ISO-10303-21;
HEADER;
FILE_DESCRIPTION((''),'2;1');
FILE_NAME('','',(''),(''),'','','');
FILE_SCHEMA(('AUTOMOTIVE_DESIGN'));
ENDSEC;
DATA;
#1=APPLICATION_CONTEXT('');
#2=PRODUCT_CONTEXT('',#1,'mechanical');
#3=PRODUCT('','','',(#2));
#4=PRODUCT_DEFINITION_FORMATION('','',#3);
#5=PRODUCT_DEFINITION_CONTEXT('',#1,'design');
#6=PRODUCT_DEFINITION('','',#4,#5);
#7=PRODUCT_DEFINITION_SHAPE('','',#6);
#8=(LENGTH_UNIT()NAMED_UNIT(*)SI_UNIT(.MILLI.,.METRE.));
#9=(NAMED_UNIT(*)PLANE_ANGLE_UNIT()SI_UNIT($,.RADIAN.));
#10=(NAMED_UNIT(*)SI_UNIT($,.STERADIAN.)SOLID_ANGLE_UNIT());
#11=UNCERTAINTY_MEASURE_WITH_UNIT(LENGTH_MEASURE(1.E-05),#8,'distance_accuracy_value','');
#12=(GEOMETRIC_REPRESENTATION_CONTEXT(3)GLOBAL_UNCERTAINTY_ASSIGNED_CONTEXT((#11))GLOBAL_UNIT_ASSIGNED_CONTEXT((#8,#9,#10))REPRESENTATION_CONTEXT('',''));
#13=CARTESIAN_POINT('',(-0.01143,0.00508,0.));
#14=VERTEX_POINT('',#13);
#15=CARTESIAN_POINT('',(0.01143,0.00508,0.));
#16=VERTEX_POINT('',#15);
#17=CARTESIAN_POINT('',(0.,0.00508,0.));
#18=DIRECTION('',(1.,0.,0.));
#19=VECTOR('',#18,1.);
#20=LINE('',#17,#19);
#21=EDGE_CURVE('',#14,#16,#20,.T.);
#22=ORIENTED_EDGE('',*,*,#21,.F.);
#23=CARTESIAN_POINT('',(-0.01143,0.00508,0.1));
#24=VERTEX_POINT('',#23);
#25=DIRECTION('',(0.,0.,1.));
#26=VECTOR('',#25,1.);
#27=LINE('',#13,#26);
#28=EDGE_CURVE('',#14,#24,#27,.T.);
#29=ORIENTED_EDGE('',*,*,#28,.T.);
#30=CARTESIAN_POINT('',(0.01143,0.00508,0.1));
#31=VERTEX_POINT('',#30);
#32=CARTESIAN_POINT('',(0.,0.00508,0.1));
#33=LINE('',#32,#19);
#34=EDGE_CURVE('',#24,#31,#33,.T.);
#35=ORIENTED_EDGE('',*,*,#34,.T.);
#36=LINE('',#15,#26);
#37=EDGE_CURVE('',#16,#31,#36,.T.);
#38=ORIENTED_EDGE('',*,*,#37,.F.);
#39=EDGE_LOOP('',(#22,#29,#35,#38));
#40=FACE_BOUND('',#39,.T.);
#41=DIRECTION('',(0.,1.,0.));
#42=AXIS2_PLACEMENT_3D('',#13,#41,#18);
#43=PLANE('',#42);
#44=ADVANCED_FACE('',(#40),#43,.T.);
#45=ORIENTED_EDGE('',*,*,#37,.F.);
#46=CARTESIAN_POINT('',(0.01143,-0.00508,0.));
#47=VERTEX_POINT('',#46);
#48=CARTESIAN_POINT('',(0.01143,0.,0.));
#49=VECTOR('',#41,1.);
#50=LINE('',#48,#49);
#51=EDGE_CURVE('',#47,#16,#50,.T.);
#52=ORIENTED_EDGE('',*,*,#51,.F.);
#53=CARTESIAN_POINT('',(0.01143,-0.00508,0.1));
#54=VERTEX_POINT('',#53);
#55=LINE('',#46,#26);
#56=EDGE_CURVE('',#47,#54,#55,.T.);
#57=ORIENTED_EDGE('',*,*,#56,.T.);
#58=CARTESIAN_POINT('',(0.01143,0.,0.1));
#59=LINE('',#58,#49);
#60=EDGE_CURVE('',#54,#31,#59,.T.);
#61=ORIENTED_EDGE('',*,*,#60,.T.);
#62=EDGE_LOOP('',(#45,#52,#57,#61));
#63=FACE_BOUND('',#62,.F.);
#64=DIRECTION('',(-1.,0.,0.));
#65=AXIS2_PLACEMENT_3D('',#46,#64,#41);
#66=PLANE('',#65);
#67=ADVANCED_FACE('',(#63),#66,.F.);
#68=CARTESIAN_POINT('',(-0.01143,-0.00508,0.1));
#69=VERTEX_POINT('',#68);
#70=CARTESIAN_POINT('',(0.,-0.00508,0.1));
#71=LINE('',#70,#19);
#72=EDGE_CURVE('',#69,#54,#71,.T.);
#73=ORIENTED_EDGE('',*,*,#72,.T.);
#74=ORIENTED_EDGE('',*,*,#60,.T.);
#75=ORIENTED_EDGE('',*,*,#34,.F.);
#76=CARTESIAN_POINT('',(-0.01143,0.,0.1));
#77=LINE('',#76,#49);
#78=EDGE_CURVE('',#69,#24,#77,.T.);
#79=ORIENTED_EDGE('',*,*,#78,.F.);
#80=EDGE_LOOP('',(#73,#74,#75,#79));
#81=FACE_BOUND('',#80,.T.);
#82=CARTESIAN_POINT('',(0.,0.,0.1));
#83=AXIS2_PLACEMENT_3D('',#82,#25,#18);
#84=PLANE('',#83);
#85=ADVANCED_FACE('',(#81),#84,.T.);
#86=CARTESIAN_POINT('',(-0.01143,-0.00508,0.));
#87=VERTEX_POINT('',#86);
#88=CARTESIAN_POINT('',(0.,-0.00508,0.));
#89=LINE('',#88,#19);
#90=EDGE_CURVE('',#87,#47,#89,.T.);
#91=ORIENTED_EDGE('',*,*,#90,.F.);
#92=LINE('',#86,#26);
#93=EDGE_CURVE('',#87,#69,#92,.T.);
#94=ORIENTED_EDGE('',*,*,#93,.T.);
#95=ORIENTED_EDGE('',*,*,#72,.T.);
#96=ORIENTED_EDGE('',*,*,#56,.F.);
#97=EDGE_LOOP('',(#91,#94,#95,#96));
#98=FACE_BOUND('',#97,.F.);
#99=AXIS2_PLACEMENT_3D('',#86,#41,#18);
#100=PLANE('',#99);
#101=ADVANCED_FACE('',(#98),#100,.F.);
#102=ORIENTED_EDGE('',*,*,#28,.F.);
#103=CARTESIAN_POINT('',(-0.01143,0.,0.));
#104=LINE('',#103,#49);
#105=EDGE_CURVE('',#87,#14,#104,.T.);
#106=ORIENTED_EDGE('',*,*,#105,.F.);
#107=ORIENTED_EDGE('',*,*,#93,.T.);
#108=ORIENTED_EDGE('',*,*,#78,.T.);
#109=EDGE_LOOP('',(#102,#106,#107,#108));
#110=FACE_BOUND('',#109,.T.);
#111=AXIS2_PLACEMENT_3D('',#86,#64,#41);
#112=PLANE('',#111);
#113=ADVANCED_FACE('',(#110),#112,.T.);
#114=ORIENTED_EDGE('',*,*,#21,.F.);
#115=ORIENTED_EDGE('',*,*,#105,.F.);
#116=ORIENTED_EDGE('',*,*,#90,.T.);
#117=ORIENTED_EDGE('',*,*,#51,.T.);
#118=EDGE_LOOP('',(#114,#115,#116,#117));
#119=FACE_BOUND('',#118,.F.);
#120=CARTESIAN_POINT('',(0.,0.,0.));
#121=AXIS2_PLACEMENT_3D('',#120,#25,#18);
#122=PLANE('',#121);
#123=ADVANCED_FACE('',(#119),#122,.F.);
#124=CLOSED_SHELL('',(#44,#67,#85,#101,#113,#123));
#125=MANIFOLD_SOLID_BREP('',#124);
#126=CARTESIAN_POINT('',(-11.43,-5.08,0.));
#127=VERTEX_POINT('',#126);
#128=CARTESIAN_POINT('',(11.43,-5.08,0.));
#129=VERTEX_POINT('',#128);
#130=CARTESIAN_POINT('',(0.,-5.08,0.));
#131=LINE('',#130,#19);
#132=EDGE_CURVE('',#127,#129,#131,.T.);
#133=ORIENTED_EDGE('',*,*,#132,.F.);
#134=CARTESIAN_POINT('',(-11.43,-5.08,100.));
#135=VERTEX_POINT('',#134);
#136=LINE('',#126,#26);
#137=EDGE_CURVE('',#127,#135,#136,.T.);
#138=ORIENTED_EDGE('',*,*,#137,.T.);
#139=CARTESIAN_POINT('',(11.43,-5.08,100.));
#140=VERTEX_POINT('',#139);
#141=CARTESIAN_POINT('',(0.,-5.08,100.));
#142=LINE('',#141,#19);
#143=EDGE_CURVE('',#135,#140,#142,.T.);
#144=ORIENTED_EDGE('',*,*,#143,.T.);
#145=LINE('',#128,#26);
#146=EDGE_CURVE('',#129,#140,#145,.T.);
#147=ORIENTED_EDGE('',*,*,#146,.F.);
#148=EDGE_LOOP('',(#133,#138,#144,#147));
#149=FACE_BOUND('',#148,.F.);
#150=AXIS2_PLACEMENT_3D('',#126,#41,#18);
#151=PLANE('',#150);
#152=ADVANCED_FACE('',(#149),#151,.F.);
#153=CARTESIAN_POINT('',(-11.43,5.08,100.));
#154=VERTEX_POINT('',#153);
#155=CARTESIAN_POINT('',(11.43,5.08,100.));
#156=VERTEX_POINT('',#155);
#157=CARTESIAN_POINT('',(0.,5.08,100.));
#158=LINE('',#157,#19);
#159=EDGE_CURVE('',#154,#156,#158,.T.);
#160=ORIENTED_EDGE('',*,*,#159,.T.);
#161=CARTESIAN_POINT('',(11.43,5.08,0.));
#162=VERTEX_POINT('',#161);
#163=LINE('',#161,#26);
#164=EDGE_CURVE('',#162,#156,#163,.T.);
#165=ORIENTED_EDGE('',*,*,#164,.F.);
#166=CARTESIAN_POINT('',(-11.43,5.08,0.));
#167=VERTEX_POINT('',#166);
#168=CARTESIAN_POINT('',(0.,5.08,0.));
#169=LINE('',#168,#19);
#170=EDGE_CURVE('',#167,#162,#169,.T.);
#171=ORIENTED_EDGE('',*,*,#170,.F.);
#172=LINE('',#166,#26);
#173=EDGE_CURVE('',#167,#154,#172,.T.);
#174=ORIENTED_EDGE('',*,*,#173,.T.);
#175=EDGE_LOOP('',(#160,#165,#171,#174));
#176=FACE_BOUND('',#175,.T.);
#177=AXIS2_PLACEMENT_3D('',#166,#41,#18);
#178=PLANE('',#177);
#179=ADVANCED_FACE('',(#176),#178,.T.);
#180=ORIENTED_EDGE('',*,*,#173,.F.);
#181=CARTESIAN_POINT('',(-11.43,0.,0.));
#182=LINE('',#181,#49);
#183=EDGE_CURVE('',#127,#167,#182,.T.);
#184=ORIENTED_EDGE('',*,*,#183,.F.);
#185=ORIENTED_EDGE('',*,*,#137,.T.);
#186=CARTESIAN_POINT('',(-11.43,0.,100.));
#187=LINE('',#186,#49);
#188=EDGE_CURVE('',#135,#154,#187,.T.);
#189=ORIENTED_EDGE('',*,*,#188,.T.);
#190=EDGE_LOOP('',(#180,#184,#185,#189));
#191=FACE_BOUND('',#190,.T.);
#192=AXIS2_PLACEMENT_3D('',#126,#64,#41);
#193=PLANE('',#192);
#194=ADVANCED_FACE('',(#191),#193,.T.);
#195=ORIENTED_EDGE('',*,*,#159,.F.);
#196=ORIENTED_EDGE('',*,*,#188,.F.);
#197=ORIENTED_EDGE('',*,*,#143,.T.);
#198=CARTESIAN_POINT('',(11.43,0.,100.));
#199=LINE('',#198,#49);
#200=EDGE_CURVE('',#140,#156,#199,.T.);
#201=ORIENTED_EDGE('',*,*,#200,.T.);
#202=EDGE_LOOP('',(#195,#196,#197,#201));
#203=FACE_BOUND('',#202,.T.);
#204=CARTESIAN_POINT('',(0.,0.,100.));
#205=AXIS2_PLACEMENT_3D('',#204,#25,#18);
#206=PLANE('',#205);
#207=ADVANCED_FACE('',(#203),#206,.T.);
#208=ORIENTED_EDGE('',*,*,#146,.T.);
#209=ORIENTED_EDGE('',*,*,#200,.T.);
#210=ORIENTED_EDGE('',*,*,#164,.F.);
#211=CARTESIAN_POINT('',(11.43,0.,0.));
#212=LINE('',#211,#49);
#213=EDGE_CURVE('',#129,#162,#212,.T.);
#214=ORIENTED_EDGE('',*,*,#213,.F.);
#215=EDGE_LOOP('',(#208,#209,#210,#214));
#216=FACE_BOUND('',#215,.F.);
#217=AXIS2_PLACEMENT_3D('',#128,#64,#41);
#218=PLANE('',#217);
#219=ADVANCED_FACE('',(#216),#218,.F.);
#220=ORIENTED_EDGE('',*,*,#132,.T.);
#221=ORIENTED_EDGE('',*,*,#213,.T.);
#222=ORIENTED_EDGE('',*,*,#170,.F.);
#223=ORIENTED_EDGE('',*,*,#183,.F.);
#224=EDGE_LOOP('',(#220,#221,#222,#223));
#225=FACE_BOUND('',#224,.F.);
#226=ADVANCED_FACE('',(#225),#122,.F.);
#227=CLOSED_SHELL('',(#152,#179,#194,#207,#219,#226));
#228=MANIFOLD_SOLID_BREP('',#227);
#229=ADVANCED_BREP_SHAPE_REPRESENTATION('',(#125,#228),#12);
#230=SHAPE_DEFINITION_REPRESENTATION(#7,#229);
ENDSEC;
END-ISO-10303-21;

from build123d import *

# Parameters (mm, degrees)
RECTANGLE_W           = 22.86
RECTANGLE_H           = 10.16
EXTRUDE_DEPTH         = 100
CLONE_SCALE_SCALE     = 0.001
CLONE_ROLL_ANGLE      = 171.394155
CLONE_PITCH_ANGLE     = -38.256467
CLONE_PLACEMENT_ANGLE = -110.851349


with BuildPart() as extrude_body:
    # Rectangle → Extrude (new body)
    with BuildSketch(Plane(origin=(-11.43, -5.08, 0), x_dir=(1, 0, 0), z_dir=(0, 0, 1))):
        with Locations((11.43, 5.08)):
            Rectangle(RECTANGLE_W, RECTANGLE_H)
    extrude(amount=EXTRUDE_DEPTH)


with BuildPart() as extrude001:
    # Clone base: copy of Extrude body
    add(extrude_body.part)


with BuildPart() as extrude001_1:
    # Clone scale: moved
    add(extrude001.part.scale(CLONE_SCALE_SCALE))


with BuildPart() as extrude001_2:
    # Clone roll: moved
    add(extrude001_1.part.rotate(Axis((0, 0, 0), (1, 0, 0)), CLONE_ROLL_ANGLE))


with BuildPart() as extrude001_3:
    # Clone pitch: moved
    add(extrude001_2.part.rotate(Axis((0, 0, 0), (0, 1, 0)), CLONE_PITCH_ANGLE))


with BuildPart() as extrude001_4:
    # Clone placement: moved
    add(extrude001_3.part.moved(Location((-8.3e-05, -0.003101, -0.00049))).rotate(Axis((-8.3e-05, -0.003101, -0.00049), (0, 0, 1)), CLONE_PLACEMENT_ANGLE))


solid = Compound([extrude_body.part, extrude001_4.part])
